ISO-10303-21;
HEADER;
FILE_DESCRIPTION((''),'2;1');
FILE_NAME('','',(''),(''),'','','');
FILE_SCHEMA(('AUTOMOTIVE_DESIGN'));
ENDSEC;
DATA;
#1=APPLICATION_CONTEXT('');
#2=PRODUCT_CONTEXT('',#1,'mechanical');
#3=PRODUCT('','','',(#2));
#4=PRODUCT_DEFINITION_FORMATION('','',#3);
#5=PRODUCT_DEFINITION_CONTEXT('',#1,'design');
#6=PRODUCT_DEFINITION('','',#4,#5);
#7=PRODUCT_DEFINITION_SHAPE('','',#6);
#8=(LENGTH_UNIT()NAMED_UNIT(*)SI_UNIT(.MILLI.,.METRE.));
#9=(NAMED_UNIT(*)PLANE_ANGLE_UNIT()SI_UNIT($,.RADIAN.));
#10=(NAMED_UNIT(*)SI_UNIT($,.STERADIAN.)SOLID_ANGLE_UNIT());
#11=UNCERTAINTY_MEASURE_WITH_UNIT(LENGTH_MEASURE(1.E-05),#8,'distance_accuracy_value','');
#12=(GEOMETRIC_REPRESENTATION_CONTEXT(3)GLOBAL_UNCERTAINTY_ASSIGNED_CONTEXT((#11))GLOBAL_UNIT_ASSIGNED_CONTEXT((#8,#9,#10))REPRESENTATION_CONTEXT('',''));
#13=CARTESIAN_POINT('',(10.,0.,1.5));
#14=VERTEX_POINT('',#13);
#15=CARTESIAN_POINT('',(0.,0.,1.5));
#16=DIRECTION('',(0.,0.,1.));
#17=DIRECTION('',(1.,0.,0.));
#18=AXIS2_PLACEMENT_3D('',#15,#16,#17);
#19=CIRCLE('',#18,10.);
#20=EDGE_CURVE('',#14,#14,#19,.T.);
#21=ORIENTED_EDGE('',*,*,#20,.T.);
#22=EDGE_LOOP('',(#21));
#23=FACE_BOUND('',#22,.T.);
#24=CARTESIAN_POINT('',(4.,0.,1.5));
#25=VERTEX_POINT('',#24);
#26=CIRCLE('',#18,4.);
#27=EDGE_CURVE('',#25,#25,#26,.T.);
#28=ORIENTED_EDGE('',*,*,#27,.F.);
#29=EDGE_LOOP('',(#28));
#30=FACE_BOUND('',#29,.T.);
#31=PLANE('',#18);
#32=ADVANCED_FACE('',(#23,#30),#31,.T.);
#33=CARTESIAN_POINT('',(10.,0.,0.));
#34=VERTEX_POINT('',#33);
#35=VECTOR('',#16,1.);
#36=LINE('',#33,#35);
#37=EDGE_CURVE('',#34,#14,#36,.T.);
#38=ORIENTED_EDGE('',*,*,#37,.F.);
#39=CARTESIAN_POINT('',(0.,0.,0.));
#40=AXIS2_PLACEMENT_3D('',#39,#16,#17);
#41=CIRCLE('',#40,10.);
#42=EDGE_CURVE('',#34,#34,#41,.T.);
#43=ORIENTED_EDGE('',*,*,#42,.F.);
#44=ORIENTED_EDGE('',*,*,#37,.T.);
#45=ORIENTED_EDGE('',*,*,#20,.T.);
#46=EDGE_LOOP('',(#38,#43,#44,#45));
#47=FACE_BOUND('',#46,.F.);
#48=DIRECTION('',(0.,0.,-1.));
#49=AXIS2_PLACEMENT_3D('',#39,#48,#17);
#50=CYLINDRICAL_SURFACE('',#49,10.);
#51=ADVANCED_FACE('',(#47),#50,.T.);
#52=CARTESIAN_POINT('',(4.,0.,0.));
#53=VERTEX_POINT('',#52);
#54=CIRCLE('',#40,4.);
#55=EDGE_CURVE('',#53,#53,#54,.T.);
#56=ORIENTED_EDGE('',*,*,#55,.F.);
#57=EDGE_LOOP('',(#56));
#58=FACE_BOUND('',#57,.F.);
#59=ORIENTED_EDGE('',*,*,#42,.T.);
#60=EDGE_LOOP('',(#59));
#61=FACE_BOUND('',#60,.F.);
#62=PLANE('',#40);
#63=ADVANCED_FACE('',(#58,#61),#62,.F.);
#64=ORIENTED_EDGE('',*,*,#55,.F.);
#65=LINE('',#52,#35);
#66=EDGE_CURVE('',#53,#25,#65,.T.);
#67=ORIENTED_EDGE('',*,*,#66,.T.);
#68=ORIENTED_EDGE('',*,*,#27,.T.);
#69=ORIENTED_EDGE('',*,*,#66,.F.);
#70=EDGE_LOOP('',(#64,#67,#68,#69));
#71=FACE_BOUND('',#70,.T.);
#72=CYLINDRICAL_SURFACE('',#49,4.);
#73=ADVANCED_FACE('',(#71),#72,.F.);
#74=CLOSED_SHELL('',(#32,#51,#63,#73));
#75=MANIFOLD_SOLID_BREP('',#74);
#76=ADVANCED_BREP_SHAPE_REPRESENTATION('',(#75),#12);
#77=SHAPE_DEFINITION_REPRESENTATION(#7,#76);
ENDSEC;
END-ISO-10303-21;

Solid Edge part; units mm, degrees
sketch "Sketch1" plane through (0, 0, 0) normal (0, 0, 1) x (1, 0, 0)
  circle A0 centre (0, 0) radius 4
  circle A1 centre (0, 0) radius 10
extrude "Protrusion1" add sketch "Sketch1" along normal blind 1.5
properties material "Steel"
